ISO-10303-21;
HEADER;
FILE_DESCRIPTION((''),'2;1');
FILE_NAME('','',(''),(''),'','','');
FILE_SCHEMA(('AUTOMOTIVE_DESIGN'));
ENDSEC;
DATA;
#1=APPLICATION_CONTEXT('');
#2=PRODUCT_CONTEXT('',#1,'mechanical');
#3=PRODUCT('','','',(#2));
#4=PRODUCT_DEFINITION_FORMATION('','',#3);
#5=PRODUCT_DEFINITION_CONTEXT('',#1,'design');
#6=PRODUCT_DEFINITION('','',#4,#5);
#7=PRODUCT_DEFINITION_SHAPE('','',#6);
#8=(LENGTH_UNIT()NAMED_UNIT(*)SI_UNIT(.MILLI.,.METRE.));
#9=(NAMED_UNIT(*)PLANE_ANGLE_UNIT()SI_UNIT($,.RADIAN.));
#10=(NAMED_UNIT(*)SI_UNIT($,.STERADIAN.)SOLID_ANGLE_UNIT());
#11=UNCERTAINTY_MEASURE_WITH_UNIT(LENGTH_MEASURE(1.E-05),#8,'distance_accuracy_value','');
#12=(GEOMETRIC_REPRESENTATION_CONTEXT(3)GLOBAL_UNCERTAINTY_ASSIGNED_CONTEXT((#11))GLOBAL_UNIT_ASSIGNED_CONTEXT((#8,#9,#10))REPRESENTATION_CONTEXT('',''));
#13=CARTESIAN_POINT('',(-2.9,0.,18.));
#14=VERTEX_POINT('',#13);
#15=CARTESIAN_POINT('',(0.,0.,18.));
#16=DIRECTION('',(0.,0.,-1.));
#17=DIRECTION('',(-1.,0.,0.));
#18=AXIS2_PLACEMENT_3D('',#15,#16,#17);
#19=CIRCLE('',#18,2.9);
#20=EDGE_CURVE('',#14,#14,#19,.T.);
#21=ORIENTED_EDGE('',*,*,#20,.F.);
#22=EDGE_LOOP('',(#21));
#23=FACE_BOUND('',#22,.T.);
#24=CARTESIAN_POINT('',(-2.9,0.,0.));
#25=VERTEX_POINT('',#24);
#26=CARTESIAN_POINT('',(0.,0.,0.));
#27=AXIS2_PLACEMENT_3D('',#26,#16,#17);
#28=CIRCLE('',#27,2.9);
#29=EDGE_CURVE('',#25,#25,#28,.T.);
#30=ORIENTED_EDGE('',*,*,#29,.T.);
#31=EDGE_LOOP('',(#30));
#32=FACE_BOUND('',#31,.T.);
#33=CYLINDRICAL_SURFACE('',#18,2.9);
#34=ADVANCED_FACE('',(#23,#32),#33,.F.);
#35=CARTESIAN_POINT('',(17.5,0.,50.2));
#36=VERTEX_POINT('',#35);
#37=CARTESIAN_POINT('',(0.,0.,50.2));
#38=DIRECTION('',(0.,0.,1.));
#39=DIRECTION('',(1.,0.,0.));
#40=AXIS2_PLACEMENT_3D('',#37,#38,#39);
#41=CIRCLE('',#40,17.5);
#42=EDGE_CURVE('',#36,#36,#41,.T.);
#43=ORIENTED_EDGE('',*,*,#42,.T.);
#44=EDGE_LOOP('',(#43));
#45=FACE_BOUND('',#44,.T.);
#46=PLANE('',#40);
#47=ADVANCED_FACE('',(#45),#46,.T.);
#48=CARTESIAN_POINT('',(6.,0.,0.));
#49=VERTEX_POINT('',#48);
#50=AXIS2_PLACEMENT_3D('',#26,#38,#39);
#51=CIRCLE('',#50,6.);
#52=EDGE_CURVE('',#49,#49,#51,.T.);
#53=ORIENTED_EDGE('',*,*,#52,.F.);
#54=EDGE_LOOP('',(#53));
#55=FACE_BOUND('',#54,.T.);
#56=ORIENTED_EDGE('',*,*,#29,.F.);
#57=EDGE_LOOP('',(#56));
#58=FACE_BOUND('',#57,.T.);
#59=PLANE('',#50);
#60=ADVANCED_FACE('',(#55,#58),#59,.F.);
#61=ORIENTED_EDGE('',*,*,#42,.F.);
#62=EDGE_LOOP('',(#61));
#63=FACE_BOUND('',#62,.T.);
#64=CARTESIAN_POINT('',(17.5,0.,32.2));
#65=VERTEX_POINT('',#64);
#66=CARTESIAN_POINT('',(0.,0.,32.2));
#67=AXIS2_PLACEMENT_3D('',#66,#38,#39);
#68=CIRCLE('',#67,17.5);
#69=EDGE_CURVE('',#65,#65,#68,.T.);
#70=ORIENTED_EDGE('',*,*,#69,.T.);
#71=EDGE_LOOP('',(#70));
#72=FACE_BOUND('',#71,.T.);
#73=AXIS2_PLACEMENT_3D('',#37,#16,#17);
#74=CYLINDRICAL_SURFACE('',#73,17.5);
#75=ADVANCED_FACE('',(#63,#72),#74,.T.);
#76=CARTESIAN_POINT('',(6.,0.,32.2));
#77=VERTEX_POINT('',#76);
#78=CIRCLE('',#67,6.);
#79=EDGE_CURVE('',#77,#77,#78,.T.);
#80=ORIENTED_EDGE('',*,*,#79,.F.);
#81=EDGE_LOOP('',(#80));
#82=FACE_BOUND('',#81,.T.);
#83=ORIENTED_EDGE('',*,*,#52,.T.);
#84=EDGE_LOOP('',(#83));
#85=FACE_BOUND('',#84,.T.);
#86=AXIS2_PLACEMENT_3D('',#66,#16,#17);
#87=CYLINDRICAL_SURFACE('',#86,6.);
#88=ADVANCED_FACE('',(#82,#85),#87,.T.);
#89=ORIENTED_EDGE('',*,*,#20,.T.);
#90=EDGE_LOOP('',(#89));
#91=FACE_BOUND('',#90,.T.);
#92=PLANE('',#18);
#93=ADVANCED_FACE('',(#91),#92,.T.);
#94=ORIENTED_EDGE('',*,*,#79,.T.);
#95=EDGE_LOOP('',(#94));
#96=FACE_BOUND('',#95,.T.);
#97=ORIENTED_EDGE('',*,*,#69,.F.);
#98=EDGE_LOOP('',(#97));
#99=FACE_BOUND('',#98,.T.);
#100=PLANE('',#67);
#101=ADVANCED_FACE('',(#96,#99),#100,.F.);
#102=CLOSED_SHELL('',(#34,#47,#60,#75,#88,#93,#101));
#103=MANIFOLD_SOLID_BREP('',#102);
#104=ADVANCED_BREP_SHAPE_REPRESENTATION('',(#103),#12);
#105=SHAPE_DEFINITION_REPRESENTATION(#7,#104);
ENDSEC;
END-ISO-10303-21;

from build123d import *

# Parameters (mm, degrees)
SKETCH1_R           = 6
BOSS_EXTRUDE1_DEPTH = 32.2
SKETCH2_R           = 17.5
BOSS_EXTRUDE2_DEPTH = 18
SKETCH3_R           = 2.9
CUT_EXTRUDE1_DEPTH  = 18


with BuildPart() as part:
    # Sketch1 → Boss-Extrude1 (new body)
    with BuildSketch(Plane.XY):
        Circle(SKETCH1_R)
    extrude(amount=BOSS_EXTRUDE1_DEPTH)

    # Sketch2 → Boss-Extrude2 (add)
    with BuildSketch(Plane.XY.offset(32.2)):
        Circle(SKETCH2_R)
    extrude(amount=BOSS_EXTRUDE2_DEPTH)

    # Sketch3 → Cut-Extrude1 (cut)
    with BuildSketch(Plane(origin=(0, 0, 0), x_dir=(-1, 0, 0), z_dir=(0, 0, -1))):
        Circle(SKETCH3_R)
    extrude(amount=-CUT_EXTRUDE1_DEPTH, mode=Mode.SUBTRACT)


solid = part.part
